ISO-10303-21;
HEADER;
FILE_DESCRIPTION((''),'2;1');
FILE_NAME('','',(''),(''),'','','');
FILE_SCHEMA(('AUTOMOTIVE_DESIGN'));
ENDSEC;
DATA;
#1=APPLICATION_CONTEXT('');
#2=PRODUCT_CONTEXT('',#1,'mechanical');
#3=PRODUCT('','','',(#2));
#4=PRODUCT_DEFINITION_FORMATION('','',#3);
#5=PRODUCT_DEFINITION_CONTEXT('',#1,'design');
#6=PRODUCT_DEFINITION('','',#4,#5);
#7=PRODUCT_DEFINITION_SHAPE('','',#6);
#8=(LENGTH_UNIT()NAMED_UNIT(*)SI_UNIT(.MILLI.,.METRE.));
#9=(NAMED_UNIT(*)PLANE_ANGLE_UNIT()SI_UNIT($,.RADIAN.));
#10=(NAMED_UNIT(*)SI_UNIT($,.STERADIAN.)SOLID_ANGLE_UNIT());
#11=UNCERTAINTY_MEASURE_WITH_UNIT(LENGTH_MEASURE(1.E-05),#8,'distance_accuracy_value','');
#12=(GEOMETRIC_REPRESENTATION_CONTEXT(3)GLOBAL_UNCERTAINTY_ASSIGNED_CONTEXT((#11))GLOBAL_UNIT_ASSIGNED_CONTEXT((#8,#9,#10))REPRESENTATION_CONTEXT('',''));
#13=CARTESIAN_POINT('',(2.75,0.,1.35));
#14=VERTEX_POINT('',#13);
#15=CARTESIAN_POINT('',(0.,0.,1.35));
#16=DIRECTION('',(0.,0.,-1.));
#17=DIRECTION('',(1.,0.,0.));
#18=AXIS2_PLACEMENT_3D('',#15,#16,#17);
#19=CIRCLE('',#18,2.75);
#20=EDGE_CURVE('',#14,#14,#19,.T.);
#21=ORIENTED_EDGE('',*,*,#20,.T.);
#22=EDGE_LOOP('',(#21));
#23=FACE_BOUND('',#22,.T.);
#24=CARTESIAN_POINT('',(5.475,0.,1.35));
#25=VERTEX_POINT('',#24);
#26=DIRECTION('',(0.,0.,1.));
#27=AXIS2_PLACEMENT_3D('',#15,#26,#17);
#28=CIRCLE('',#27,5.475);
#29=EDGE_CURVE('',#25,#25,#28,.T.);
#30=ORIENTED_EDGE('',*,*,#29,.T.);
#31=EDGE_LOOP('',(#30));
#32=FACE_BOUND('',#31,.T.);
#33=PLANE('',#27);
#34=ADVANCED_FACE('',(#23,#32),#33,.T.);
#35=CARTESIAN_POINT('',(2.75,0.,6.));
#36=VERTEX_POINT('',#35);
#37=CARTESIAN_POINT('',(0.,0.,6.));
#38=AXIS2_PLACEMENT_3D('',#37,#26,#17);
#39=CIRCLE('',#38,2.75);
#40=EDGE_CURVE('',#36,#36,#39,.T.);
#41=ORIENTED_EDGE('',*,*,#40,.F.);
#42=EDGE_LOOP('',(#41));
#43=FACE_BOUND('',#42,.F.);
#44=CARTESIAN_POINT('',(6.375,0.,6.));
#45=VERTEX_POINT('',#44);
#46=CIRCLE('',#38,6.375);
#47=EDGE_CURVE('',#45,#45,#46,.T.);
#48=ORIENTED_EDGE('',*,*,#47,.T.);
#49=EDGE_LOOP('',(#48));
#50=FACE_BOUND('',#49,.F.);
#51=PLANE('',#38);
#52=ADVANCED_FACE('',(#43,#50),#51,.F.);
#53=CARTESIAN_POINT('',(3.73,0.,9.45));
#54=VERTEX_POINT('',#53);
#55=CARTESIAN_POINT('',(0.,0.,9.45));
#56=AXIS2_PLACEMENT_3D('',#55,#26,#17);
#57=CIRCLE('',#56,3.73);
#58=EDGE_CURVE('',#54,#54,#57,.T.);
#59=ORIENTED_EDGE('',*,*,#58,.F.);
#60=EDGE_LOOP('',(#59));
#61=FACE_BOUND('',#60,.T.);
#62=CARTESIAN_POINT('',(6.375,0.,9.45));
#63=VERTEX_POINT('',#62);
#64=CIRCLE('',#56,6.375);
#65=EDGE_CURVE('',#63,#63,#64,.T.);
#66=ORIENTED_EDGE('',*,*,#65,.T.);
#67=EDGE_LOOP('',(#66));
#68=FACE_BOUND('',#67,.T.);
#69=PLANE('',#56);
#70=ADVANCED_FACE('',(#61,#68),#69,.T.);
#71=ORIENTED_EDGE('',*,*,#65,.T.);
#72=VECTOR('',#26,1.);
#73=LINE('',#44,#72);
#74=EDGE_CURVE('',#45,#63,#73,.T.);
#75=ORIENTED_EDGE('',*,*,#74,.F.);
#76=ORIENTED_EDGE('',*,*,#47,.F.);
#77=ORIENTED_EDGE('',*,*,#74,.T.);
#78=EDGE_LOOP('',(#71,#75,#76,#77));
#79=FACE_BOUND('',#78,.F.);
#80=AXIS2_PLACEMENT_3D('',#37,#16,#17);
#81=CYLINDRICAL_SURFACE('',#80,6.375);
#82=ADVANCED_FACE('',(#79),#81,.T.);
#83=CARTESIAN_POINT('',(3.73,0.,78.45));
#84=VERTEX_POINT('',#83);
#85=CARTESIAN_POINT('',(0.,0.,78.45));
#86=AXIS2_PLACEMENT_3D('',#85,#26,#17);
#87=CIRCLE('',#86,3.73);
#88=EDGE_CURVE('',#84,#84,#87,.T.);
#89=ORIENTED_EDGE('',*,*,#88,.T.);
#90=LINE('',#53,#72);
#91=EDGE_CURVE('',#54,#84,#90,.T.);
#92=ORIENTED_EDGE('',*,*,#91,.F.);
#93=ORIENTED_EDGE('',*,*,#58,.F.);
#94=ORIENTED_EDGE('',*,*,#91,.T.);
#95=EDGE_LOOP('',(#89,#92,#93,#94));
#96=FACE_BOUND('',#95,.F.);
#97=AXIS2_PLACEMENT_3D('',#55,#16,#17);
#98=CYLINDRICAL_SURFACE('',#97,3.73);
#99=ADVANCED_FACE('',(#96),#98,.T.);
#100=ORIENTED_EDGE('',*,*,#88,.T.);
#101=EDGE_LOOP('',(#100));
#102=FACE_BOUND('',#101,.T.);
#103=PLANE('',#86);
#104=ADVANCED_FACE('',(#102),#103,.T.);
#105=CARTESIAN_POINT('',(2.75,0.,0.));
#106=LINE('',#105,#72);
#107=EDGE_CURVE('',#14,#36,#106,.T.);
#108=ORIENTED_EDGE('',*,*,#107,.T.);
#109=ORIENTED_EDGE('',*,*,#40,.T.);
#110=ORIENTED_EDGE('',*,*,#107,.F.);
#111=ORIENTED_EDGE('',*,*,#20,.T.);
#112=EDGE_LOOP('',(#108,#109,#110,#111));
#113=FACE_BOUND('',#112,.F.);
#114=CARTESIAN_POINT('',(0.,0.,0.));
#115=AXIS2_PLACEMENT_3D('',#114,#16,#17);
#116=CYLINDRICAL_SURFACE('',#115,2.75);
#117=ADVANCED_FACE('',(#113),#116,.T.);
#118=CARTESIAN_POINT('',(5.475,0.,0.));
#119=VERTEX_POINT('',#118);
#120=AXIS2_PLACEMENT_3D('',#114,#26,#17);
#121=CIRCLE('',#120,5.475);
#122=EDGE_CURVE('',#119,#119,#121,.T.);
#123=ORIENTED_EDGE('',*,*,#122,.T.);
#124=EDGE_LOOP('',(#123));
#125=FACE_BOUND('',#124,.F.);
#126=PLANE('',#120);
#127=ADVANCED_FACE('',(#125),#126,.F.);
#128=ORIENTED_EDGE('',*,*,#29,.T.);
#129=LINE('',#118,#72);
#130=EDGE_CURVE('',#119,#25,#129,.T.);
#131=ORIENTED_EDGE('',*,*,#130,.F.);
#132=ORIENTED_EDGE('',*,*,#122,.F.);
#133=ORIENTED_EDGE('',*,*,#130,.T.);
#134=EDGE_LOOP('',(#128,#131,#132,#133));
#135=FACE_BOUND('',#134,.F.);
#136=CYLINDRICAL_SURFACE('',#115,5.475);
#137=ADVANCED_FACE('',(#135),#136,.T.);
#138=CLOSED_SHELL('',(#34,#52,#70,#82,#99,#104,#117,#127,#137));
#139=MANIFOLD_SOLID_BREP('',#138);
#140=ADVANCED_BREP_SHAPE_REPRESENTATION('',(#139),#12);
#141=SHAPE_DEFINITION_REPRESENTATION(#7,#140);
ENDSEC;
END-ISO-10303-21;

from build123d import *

# Parameters (mm, degrees)
F0_R     = 5.475
F1_DEPTH = 1.35
F2_R     = 2.75
F3_DEPTH = 6
F4_R     = 6.375
F5_DEPTH = 3.45
F6_R     = 3.73
F7_DEPTH = 69


with BuildPart() as f1:
    # F0 (on Top) → F1 (new body)
    with BuildSketch(Plane.XY):
        Circle(F0_R)
    extrude(amount=F1_DEPTH)

    # F2 (on Top) → F3 (join)
    with BuildSketch(Plane.XY):
        Circle(F2_R)
    extrude(amount=F3_DEPTH)

    # F4 (on face) → F5 (join)
    with BuildSketch(Plane.XY.offset(6)):
        Circle(F4_R)
    extrude(amount=F5_DEPTH)

    # F6 (on face) → F7 (join)
    with BuildSketch(Plane.XY.offset(9.45)):
        Circle(F6_R)
    extrude(amount=F7_DEPTH)


solid = f1.part
